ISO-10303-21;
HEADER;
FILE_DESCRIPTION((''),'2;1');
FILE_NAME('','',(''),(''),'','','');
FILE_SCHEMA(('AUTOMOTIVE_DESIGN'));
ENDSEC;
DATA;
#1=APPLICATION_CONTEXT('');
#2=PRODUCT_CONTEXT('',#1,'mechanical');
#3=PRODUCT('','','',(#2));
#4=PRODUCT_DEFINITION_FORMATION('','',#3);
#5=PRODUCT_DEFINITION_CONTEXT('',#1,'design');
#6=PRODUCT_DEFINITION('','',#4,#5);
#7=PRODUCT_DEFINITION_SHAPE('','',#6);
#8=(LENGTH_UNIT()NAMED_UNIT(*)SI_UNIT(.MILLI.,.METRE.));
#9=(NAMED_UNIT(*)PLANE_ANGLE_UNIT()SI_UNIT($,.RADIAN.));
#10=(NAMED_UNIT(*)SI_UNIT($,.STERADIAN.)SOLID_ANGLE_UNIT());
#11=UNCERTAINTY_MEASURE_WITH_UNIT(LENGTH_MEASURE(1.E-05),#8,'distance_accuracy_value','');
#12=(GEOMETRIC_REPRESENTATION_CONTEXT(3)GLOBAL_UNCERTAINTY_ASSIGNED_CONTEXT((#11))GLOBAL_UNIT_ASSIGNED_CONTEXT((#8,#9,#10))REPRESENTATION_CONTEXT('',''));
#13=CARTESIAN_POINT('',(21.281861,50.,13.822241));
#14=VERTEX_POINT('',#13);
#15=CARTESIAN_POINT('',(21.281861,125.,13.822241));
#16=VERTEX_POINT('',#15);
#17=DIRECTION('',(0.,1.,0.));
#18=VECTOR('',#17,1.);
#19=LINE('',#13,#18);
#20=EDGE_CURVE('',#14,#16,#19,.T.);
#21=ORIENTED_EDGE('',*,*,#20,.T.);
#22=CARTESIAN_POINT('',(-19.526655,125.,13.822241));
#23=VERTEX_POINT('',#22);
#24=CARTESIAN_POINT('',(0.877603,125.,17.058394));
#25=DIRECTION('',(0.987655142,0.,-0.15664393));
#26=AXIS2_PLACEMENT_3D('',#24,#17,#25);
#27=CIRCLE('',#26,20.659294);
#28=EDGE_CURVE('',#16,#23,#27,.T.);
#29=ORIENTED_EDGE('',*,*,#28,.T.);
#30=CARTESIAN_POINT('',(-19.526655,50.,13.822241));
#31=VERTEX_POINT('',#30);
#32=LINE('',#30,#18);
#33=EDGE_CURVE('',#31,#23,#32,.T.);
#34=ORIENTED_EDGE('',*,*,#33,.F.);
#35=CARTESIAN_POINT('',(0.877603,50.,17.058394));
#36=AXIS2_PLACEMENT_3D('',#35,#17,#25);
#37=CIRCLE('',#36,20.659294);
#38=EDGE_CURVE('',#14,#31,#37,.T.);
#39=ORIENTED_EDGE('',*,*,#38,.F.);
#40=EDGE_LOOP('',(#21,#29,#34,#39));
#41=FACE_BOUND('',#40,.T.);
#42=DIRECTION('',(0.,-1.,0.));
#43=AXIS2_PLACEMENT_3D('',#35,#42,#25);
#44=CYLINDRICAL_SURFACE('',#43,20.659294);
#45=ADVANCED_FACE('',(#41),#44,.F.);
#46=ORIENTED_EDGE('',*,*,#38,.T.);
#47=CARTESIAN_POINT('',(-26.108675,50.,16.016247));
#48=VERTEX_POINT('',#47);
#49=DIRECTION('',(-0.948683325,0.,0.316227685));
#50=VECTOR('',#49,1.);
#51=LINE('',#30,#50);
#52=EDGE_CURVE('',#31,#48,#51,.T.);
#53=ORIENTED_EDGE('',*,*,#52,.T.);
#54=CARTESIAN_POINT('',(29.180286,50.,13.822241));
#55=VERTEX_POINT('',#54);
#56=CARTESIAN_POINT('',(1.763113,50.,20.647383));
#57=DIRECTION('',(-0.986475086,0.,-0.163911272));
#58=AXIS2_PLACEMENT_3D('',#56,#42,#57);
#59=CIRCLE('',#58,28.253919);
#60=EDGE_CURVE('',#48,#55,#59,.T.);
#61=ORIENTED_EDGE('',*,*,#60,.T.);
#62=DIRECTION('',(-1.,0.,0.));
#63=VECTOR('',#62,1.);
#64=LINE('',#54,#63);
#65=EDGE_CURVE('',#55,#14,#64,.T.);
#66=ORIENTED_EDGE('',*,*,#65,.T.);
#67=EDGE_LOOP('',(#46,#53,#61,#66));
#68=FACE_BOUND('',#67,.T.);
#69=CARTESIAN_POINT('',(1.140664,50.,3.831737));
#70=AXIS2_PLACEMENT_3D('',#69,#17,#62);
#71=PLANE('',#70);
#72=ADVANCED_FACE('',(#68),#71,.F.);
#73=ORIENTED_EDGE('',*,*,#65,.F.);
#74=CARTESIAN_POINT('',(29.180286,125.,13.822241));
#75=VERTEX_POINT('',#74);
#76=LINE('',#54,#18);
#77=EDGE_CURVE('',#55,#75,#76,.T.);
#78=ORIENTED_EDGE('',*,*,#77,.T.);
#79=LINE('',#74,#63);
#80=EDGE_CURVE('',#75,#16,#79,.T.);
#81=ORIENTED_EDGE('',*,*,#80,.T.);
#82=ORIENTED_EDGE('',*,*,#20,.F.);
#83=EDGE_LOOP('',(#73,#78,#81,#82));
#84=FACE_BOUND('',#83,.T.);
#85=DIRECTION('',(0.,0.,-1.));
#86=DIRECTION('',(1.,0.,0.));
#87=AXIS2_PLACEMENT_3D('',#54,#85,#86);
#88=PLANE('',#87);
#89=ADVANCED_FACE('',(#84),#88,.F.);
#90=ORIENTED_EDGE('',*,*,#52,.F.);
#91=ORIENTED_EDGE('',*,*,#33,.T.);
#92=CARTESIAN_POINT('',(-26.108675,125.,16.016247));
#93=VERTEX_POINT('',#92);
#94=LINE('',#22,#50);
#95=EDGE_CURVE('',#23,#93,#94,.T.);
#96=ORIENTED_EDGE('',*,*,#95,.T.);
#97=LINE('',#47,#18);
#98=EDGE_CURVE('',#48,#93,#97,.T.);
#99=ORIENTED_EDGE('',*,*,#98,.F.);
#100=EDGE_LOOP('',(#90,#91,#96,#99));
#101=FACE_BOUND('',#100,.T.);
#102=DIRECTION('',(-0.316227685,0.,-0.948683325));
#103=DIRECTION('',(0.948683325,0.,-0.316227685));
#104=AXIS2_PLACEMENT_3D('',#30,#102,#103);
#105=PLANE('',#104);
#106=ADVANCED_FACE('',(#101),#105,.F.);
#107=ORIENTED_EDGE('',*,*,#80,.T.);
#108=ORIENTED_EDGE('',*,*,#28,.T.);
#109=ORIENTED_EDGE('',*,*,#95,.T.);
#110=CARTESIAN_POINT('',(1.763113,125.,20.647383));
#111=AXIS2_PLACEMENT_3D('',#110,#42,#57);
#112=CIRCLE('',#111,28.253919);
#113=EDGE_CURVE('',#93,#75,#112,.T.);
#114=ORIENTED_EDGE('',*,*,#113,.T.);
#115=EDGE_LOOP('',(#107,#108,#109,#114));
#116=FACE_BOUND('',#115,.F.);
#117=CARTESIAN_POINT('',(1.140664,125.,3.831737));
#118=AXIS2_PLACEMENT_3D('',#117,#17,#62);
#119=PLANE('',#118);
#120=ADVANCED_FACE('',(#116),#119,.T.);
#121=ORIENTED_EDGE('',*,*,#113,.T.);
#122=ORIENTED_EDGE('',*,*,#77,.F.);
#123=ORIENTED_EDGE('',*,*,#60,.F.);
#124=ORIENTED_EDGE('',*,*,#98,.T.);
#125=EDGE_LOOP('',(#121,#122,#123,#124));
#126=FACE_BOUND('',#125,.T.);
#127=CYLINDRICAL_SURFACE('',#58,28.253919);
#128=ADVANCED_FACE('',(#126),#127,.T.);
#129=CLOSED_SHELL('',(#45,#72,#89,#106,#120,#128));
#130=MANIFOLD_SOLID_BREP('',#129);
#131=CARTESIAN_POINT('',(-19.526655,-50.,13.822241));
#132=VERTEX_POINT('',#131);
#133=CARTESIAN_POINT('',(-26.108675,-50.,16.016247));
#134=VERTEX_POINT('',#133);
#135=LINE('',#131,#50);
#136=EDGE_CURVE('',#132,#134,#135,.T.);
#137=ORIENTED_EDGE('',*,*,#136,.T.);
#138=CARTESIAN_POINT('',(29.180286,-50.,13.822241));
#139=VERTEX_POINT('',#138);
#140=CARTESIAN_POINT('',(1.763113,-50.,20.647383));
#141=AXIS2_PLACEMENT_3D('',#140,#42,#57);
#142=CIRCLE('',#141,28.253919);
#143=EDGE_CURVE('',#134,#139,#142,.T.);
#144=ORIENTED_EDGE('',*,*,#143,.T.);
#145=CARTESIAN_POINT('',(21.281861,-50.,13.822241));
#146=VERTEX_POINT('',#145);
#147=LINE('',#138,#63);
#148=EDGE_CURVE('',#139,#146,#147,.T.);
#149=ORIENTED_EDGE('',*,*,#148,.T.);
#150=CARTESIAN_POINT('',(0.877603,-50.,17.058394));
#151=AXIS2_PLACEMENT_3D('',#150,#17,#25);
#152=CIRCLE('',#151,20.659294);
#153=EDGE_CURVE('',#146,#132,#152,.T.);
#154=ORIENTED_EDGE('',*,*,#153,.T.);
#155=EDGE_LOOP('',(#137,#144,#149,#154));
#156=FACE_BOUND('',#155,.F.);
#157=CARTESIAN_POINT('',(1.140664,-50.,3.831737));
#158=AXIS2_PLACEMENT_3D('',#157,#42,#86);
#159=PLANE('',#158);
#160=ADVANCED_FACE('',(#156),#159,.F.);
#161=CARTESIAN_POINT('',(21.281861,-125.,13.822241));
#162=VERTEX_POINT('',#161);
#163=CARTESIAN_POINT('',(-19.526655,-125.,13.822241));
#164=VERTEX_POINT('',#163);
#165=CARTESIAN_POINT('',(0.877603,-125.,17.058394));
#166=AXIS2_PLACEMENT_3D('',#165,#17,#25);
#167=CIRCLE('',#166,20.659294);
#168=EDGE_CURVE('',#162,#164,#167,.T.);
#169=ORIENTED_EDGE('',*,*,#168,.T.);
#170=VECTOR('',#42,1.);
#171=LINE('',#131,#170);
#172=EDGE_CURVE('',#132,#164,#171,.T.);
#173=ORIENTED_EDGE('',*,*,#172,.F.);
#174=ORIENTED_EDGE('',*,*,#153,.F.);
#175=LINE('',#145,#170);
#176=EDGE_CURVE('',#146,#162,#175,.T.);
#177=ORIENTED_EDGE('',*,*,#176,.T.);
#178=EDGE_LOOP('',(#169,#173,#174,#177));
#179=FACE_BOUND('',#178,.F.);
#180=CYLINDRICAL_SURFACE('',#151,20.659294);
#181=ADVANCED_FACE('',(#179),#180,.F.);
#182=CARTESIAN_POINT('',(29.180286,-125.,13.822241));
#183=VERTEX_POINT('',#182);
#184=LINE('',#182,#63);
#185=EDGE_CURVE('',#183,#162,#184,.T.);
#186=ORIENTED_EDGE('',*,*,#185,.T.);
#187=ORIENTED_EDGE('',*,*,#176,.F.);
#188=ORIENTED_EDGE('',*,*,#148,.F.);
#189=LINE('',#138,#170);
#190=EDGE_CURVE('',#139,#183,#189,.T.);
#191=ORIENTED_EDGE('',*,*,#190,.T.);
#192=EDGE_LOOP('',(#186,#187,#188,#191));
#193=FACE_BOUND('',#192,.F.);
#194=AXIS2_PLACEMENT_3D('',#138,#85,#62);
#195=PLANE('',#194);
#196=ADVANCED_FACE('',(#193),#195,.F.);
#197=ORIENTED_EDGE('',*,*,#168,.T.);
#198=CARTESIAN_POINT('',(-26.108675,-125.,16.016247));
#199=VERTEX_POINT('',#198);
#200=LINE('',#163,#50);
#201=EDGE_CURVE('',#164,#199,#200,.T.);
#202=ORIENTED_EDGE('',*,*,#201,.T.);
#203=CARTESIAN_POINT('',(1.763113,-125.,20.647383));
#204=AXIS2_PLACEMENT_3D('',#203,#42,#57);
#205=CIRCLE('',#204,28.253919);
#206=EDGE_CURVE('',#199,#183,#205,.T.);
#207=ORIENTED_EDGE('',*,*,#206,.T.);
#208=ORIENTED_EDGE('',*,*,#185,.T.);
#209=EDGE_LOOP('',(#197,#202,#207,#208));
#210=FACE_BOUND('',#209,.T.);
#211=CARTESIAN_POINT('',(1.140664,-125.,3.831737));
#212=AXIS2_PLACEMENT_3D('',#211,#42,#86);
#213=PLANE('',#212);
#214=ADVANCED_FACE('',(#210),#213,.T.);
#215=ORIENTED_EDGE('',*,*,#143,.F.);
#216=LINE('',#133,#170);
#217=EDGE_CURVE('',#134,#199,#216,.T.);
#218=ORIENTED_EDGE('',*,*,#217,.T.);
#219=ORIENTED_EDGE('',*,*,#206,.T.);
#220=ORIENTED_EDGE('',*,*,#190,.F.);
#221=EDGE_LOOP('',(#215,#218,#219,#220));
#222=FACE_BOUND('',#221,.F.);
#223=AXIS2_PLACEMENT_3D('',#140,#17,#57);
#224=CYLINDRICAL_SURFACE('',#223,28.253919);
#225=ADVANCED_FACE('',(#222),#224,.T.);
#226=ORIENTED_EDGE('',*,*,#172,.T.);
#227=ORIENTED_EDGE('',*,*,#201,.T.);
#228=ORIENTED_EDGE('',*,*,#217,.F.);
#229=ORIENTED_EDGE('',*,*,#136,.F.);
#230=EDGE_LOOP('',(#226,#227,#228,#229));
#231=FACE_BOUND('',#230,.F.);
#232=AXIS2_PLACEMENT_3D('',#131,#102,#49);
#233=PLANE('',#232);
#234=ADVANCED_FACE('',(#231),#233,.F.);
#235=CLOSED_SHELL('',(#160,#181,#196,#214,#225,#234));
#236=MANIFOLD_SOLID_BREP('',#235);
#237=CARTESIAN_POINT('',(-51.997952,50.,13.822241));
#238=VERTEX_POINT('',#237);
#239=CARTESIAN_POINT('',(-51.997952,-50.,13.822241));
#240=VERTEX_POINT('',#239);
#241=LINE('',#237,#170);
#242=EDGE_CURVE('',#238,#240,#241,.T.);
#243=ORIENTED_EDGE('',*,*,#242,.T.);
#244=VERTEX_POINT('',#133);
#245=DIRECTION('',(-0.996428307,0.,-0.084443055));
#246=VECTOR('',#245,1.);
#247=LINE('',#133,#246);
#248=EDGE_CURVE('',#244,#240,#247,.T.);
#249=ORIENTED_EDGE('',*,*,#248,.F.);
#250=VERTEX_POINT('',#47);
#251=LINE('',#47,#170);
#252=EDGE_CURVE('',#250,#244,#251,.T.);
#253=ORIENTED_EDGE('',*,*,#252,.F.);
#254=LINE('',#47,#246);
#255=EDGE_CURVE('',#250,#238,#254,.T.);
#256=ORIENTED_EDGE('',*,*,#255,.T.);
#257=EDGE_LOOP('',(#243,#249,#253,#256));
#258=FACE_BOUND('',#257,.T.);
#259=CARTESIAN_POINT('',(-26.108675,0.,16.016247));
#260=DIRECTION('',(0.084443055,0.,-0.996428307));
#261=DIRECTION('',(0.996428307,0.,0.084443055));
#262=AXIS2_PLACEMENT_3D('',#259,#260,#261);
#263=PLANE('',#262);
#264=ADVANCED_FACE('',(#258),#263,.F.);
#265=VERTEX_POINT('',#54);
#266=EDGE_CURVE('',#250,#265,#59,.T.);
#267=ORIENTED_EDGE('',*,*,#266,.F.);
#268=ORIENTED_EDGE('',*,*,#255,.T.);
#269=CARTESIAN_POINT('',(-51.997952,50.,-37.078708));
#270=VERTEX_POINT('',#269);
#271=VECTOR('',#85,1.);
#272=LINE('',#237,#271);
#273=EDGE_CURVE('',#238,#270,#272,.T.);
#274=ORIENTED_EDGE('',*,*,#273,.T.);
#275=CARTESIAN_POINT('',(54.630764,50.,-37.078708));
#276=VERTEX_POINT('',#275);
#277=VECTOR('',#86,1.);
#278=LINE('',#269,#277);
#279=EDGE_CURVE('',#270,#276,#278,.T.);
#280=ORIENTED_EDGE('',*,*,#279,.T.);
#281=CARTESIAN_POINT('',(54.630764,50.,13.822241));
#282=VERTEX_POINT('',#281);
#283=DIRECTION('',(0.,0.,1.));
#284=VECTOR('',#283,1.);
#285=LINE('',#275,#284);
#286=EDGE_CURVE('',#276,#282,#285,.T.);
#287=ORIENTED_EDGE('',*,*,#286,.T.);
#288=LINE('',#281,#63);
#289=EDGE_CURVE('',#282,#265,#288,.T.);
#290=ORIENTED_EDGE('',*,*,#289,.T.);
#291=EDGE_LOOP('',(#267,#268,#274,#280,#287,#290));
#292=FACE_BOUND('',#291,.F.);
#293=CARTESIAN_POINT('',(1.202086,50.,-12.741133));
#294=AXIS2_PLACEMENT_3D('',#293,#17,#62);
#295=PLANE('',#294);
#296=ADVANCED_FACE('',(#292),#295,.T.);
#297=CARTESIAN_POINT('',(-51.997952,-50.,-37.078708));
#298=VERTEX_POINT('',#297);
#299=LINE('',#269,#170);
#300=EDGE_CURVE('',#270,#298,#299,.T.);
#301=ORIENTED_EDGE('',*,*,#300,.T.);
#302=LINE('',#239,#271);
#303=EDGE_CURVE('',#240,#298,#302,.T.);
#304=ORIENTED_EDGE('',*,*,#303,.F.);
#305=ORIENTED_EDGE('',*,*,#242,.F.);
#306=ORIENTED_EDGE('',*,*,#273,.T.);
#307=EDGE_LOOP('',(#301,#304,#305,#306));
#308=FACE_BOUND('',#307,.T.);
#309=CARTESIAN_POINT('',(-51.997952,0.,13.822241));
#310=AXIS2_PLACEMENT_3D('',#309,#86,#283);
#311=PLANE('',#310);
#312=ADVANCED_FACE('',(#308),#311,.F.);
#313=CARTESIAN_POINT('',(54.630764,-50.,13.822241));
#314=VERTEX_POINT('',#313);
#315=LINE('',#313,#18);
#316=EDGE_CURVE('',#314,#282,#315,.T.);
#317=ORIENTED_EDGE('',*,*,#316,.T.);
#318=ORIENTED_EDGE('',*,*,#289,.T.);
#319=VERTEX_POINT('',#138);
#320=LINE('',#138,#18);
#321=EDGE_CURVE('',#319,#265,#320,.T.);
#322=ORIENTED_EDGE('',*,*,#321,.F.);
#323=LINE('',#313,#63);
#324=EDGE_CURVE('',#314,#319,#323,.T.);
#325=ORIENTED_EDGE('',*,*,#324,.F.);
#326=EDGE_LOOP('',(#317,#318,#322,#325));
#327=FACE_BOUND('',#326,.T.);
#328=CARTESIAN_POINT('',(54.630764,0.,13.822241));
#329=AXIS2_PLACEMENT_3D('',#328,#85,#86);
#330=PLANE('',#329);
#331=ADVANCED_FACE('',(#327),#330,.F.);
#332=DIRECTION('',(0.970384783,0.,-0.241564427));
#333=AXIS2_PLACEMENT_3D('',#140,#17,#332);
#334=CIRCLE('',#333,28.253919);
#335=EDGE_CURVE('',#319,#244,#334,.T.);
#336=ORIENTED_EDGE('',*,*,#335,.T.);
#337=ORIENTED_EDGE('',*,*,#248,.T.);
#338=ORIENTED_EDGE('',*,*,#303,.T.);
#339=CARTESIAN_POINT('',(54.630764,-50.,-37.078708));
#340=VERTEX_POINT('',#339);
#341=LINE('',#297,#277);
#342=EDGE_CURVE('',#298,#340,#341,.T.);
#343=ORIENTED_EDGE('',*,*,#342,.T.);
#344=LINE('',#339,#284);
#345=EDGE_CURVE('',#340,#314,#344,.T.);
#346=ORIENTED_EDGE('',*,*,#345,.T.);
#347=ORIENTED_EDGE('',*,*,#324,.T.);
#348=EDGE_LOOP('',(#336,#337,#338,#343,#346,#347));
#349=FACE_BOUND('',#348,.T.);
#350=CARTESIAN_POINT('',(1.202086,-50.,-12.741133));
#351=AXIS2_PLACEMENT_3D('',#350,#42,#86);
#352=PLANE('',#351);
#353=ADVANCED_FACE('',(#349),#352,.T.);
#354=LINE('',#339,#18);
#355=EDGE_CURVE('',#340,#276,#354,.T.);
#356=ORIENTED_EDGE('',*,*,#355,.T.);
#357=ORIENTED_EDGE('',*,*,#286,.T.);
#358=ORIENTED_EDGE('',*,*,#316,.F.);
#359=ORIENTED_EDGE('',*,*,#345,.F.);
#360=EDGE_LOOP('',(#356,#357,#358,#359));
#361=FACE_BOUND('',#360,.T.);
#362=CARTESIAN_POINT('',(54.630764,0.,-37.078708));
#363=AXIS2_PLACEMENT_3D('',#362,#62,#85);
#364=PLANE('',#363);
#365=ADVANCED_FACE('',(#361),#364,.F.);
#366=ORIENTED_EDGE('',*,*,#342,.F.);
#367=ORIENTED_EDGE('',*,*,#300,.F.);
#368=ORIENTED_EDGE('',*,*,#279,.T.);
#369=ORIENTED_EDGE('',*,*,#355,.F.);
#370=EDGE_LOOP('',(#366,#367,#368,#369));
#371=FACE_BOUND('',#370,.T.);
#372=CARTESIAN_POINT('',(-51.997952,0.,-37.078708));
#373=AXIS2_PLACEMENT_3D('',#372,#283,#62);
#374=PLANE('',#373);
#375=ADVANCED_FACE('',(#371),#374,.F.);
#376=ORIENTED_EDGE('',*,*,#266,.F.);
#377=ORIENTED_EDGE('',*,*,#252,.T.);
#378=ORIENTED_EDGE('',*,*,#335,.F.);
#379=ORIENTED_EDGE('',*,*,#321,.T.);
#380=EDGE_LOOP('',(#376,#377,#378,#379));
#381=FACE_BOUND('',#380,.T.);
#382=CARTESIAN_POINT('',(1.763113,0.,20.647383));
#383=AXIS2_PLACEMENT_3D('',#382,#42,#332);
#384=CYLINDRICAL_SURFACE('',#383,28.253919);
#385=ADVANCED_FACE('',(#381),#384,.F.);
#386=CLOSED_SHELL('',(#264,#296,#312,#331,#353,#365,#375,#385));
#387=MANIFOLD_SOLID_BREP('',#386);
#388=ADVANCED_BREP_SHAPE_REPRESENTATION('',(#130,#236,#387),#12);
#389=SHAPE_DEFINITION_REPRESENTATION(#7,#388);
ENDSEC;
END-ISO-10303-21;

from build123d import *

# Parameters (mm, degrees)
F1_DEPTH = 50
F3_DEPTH = 75


with BuildPart() as f1:
    # F0 (on Front) → F1 (new body)
    with BuildSketch(Plane.XZ):
        with BuildLine():
            ThreePointArc((29.1802864522, 13.822240755), (0.6428075813, -7.5843173072), (-26.108674705, 16.016246751))
            Line((-26.108674705, 16.016246751), (-51.9979521632, 13.822240755))
            Line((-51.9979521632, 13.822240755), (-51.9979521632, -37.0787084103))
            Line((-51.9979521632, -37.0787084103), (54.6307638288, -37.0787084103))
            Line((54.6307638288, -37.0787084103), (54.6307638288, 13.822240755))
            Line((54.6307638288, 13.822240755), (29.1802864522, 13.822240755))
        make_face()
    extrude(amount=F1_DEPTH)



with BuildPart() as f3:
    # F2 (on face) → F3 (new body)
    with BuildSketch(Plane.XZ.offset(50)):
        with BuildLine():
            Line((-19.5266548544, 13.822240755), (-26.108674705, 16.016246751))
            ThreePointArc((-26.108674705, 16.016246751), (0.6428075813, -7.5843173072), (29.1802864522, 13.822240755))
            Line((29.1802864522, 13.822240755), (21.2818607688, 13.822240755))
            ThreePointArc((21.2818607688, 13.822240755), (0.8776029572, -3.6009001218), (-19.5266548544, 13.822240755))
        make_face()
    extrude(amount=F3_DEPTH)


with BuildPart() as f1_1:
    add(f1.part)
    # F4: F3, F1 across face
    add(f3.part.mirror(Plane(origin=(1.0052951471, 0, -14.6059015673), x_dir=(1, 0, 0), z_dir=(0, 1, 0))))
    add(f1.part.mirror(Plane(origin=(1.0052951471, 0, -14.6059015673), x_dir=(1, 0, 0), z_dir=(0, 1, 0))))


solid = Compound([f3.part, f1_1.part])
